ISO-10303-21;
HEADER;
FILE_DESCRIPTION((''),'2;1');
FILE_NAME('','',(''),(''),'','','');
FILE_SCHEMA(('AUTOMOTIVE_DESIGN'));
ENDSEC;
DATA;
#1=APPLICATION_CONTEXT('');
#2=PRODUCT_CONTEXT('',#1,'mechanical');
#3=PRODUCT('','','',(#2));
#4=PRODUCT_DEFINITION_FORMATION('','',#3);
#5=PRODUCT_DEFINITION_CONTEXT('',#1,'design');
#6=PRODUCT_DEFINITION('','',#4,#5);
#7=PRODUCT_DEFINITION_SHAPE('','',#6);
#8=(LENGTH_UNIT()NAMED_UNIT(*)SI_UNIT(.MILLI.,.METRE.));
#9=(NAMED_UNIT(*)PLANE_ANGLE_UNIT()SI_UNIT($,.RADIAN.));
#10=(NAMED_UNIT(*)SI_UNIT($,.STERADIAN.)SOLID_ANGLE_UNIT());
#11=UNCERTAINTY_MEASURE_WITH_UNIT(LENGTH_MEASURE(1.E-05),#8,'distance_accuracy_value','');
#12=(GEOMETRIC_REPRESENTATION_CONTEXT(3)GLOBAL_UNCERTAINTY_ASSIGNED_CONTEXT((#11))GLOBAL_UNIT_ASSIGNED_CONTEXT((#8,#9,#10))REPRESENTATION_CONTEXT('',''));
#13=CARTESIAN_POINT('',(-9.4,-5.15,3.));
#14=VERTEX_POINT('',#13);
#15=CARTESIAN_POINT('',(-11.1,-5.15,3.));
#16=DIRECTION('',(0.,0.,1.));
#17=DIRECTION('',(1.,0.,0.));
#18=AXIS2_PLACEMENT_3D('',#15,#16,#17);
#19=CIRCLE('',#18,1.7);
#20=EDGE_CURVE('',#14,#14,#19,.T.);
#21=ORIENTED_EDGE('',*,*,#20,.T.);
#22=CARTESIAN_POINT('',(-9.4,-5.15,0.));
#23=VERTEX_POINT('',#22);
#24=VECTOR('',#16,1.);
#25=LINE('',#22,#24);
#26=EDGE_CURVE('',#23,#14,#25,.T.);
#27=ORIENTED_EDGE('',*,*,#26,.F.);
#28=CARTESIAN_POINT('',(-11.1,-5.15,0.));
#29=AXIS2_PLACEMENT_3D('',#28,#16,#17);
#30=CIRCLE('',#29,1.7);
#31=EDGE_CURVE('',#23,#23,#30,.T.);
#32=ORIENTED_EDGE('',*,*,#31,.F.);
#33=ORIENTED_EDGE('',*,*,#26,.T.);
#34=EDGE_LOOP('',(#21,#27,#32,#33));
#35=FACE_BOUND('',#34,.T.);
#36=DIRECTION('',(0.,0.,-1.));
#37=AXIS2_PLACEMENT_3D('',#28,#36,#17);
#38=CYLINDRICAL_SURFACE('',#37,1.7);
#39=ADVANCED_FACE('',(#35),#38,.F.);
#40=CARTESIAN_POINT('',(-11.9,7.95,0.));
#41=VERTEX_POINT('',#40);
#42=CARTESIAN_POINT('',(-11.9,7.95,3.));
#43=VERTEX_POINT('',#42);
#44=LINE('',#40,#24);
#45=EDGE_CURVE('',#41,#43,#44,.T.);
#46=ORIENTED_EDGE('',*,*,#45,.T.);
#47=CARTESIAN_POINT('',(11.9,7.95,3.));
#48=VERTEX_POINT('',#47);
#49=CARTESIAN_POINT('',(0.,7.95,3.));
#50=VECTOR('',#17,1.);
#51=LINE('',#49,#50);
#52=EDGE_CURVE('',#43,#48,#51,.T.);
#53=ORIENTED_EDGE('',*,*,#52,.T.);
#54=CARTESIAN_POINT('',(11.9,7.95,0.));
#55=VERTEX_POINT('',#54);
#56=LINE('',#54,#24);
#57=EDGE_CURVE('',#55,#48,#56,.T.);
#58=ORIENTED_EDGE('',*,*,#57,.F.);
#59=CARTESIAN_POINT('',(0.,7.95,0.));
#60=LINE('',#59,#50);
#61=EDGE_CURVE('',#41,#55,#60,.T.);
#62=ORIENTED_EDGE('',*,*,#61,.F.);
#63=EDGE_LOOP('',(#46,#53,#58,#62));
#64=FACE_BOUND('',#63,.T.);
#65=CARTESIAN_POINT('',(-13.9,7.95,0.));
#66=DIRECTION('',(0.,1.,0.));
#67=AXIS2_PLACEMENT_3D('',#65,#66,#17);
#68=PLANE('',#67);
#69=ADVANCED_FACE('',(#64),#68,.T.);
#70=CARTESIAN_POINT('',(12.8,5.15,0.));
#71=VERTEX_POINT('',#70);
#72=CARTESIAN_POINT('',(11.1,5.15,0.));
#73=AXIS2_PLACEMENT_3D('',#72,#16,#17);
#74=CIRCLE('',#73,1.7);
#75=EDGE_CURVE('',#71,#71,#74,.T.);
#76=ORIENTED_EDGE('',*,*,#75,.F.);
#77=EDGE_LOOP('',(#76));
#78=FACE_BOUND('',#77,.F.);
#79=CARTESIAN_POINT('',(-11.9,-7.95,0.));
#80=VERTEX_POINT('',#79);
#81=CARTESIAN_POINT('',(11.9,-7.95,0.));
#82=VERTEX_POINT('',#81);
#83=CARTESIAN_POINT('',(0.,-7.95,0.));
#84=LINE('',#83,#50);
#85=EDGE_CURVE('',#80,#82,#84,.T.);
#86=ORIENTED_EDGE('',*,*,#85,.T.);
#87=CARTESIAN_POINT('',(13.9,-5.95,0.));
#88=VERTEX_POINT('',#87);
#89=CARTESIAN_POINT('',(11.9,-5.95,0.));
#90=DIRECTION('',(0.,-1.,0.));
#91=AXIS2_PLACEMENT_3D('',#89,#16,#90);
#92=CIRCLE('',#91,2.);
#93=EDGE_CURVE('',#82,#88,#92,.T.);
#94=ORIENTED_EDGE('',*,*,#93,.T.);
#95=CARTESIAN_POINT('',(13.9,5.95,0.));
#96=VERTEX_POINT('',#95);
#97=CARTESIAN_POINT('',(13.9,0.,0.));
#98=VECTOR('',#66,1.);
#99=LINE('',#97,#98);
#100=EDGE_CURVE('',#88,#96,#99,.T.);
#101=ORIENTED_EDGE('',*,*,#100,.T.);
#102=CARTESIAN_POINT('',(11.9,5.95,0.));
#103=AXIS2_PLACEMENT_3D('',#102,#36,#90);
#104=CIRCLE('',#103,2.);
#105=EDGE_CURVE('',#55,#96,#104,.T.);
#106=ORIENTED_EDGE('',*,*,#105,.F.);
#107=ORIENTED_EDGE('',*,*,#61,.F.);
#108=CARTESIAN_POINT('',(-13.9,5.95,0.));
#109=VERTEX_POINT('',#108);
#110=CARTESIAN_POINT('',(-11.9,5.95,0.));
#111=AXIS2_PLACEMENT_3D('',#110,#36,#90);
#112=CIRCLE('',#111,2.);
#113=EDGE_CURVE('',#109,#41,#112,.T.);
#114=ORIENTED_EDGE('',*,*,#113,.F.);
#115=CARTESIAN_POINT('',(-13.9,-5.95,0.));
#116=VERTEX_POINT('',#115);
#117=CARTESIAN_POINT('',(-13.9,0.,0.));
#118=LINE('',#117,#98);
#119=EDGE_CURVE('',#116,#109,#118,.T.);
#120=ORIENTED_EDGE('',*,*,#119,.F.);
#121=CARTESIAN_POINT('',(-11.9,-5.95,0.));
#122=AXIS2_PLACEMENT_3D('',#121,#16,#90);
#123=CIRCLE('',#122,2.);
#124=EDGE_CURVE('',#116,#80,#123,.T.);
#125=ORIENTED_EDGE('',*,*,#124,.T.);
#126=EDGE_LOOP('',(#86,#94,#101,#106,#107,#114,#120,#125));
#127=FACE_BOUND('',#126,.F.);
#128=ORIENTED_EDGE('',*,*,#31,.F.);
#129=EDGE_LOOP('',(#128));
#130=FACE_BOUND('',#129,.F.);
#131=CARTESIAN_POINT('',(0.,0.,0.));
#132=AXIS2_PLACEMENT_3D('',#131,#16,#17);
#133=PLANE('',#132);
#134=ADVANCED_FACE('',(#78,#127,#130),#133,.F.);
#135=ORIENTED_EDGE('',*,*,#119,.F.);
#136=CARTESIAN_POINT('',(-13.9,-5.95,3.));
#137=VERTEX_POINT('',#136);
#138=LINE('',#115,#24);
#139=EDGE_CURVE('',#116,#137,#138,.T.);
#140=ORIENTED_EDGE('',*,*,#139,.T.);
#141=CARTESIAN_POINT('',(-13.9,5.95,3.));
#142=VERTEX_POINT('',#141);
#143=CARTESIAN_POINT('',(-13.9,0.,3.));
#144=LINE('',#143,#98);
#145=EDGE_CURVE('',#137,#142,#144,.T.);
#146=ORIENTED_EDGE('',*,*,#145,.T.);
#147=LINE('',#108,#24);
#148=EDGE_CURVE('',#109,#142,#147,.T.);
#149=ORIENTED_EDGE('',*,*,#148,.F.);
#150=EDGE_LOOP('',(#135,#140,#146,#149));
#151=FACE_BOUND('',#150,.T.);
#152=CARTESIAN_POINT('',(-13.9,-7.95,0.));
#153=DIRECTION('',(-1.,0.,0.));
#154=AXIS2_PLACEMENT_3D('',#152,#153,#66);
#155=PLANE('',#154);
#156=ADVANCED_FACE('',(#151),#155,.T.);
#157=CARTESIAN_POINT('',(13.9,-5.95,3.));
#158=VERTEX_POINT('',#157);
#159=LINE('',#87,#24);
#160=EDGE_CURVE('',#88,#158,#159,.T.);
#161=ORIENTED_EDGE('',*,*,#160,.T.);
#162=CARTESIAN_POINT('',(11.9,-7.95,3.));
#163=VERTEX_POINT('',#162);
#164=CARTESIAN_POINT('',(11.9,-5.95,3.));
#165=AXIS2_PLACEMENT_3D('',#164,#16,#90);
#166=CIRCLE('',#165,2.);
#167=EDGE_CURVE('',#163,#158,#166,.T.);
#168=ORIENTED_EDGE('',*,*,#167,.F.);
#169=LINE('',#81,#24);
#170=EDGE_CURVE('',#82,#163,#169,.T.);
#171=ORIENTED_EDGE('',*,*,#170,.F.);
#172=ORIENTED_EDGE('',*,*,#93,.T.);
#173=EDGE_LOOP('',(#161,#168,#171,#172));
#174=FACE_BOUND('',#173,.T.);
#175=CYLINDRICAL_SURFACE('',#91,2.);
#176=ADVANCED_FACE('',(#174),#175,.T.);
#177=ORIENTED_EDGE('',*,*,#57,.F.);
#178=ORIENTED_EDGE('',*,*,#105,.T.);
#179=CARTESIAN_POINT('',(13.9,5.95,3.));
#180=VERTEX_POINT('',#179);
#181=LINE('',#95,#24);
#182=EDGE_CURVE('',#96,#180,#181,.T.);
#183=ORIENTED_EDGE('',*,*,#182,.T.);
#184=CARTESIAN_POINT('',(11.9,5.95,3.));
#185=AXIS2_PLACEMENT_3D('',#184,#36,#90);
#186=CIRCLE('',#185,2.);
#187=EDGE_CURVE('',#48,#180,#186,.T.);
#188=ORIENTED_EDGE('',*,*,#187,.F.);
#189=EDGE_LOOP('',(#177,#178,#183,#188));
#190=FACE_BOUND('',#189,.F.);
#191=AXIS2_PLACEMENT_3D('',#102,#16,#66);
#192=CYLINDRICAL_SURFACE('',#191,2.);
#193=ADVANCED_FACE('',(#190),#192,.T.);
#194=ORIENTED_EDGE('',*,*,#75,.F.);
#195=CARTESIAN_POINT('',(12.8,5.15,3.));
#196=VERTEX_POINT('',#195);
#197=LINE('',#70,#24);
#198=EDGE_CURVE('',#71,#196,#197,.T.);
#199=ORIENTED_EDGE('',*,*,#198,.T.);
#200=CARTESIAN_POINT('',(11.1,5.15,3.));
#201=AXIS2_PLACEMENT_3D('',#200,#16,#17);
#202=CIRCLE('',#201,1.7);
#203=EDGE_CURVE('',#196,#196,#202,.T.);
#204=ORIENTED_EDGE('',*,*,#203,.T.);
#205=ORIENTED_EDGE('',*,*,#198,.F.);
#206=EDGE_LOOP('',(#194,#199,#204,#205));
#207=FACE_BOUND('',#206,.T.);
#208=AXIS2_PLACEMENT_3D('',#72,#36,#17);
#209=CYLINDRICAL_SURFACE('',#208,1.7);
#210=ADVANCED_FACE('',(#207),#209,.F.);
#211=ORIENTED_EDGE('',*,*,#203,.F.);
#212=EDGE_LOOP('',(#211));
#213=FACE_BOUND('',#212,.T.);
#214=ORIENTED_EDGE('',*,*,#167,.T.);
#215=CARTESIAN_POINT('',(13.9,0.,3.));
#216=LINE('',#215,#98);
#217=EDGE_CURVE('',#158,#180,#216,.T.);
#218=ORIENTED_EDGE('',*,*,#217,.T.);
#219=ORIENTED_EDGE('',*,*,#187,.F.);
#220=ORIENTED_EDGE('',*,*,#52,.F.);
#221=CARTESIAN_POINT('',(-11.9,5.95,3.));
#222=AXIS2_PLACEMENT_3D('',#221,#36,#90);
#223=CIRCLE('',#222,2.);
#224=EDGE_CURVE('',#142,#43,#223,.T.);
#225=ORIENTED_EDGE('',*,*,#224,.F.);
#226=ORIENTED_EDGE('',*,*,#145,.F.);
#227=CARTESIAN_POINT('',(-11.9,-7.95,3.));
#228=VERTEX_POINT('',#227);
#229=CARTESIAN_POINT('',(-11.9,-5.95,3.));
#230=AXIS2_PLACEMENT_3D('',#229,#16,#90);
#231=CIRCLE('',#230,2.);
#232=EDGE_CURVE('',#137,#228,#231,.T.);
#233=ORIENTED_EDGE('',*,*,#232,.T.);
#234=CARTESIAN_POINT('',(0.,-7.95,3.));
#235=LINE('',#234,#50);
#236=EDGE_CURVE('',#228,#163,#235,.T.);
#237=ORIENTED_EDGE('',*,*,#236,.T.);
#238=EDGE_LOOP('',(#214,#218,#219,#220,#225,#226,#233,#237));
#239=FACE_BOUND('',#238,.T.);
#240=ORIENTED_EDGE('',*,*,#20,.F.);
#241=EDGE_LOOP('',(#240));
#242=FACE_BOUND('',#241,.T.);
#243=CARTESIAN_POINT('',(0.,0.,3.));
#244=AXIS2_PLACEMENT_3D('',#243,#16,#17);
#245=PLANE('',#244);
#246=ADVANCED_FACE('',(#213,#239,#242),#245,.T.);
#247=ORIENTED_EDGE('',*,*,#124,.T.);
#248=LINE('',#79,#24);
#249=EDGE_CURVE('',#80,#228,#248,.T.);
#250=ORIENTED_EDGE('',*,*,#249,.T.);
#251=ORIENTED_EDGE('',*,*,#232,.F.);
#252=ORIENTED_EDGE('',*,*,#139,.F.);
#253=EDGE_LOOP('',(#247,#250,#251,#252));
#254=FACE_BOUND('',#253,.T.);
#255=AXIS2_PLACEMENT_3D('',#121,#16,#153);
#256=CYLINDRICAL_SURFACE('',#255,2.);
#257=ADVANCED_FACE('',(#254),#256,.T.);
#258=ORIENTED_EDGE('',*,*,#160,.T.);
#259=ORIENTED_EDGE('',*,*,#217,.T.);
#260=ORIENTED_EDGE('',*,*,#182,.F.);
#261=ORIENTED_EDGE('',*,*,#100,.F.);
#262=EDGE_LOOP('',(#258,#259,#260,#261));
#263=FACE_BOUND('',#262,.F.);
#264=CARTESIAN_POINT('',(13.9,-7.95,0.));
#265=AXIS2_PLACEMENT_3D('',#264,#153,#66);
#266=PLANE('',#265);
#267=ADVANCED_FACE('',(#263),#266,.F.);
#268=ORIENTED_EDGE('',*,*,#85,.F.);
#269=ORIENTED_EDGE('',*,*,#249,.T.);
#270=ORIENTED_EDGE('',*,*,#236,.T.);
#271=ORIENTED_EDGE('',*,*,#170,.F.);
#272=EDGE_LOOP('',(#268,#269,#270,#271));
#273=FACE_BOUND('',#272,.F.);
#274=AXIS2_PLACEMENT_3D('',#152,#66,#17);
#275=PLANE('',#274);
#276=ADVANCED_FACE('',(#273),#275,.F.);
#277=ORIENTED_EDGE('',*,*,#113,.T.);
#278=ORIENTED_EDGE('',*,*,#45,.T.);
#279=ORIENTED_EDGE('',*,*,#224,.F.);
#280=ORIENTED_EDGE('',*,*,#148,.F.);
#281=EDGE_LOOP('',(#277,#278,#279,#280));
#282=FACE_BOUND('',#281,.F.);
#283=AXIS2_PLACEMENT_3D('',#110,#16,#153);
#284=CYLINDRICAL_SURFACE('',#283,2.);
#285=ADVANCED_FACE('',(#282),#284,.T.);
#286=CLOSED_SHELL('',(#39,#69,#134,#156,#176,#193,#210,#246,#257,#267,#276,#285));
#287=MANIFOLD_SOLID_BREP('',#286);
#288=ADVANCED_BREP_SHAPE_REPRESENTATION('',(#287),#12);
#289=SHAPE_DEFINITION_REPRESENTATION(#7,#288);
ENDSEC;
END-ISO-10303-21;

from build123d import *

# Parameters (mm, degrees)
SKETCH_W  = 27.8
SKETCH_H  = 15.9
SKETCH_R  = 1.7
PAD_DEPTH = 3
FILLET_R  = 2


with BuildPart() as part:
    # Sketch → Pad (new body)
    with BuildSketch(Plane.XY):
        Rectangle(SKETCH_W, SKETCH_H)
        with Locations((-11.1, -5.15)):
            Circle(SKETCH_R, mode=Mode.SUBTRACT)
        with Locations((11.1, 5.15)):
            Circle(SKETCH_R, mode=Mode.SUBTRACT)
    extrude(amount=PAD_DEPTH)

    # Fillet
    fillet_edges = [part.edges().sort_by_distance(p)[0] for p in [
        (13.9, -7.95, 1.5),
        (13.9, 7.95, 1.5),
        (-13.9, -7.95, 1.5),
        (-13.9, 7.95, 1.5),
    ]]
    fillet(fillet_edges, radius=FILLET_R)


solid = part.part
